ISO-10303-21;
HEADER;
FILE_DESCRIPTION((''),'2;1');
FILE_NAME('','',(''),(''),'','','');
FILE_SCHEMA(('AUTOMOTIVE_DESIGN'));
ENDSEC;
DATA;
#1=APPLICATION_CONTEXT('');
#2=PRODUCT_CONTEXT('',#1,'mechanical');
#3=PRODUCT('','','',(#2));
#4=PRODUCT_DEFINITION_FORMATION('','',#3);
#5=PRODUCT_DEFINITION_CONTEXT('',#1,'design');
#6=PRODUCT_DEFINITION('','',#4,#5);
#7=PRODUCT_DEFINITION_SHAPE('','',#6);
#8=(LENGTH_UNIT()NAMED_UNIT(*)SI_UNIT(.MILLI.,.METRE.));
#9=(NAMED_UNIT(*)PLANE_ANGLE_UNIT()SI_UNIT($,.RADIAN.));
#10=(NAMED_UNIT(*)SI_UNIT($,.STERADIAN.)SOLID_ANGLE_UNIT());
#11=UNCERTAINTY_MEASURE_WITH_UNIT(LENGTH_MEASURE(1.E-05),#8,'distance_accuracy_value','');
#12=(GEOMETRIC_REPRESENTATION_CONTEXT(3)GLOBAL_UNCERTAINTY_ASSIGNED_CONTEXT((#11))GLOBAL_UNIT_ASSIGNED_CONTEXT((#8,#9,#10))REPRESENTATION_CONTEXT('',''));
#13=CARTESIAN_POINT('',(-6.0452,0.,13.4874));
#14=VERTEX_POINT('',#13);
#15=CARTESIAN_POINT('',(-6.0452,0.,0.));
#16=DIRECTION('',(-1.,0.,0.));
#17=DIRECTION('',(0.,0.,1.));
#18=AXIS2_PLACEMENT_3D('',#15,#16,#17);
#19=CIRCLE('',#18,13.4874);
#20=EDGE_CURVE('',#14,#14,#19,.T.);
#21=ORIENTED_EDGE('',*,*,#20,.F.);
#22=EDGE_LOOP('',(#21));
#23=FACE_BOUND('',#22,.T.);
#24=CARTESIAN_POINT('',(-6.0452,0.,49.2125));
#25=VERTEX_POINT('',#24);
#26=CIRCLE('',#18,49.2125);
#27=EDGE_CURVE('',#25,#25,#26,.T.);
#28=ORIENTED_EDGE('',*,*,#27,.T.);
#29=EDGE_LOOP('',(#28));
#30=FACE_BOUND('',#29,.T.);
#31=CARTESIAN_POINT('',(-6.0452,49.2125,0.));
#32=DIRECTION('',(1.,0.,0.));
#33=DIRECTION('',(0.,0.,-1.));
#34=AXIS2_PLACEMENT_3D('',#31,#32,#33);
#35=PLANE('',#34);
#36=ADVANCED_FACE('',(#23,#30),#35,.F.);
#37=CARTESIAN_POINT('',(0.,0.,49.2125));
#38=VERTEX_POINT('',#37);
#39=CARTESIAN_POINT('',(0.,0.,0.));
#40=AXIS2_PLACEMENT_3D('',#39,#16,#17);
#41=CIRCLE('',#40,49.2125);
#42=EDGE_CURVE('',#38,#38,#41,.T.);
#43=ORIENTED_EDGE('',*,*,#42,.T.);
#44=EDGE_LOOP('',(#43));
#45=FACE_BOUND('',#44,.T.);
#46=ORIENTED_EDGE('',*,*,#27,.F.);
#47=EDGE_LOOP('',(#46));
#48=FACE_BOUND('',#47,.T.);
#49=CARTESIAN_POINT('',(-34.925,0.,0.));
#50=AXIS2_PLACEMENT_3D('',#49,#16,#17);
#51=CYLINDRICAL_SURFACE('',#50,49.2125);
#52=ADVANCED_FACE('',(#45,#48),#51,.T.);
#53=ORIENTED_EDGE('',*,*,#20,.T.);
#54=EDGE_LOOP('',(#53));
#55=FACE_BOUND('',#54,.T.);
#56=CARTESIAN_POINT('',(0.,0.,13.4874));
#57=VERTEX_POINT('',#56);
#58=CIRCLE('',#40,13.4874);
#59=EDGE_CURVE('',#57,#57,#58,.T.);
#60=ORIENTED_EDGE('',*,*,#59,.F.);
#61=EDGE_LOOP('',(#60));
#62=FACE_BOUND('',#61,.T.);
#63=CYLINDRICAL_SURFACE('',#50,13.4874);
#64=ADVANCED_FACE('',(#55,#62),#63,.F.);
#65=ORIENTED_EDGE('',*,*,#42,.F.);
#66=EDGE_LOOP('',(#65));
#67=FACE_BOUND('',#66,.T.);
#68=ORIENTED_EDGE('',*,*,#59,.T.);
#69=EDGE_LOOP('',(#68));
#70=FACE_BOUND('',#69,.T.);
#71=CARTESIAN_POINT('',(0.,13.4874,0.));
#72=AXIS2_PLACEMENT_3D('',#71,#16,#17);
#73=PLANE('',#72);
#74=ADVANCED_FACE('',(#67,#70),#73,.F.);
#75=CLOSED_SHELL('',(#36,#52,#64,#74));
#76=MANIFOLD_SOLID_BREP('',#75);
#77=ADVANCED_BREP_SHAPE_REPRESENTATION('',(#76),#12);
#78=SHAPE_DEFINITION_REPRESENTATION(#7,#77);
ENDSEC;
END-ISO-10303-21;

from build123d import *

# Parameters (mm, degrees)
SKETCH1_W = 6.0452
SKETCH1_H = 35.7251


with BuildPart() as part:
    # Sketch1 → Base-Revolve (revolve)
    with BuildSketch(Plane.XY, mode=Mode.PRIVATE) as base_revolve_sk:
        with Locations((-3.0226, 31.34995)):
            Rectangle(SKETCH1_W, SKETCH1_H)
    revolve(base_revolve_sk.sketch.rotate(Axis((-34.925, 0, 0), (1, 0, 0)), 90), axis=Axis((-34.925, 0, 0), (1, 0, 0)))


solid = part.part
